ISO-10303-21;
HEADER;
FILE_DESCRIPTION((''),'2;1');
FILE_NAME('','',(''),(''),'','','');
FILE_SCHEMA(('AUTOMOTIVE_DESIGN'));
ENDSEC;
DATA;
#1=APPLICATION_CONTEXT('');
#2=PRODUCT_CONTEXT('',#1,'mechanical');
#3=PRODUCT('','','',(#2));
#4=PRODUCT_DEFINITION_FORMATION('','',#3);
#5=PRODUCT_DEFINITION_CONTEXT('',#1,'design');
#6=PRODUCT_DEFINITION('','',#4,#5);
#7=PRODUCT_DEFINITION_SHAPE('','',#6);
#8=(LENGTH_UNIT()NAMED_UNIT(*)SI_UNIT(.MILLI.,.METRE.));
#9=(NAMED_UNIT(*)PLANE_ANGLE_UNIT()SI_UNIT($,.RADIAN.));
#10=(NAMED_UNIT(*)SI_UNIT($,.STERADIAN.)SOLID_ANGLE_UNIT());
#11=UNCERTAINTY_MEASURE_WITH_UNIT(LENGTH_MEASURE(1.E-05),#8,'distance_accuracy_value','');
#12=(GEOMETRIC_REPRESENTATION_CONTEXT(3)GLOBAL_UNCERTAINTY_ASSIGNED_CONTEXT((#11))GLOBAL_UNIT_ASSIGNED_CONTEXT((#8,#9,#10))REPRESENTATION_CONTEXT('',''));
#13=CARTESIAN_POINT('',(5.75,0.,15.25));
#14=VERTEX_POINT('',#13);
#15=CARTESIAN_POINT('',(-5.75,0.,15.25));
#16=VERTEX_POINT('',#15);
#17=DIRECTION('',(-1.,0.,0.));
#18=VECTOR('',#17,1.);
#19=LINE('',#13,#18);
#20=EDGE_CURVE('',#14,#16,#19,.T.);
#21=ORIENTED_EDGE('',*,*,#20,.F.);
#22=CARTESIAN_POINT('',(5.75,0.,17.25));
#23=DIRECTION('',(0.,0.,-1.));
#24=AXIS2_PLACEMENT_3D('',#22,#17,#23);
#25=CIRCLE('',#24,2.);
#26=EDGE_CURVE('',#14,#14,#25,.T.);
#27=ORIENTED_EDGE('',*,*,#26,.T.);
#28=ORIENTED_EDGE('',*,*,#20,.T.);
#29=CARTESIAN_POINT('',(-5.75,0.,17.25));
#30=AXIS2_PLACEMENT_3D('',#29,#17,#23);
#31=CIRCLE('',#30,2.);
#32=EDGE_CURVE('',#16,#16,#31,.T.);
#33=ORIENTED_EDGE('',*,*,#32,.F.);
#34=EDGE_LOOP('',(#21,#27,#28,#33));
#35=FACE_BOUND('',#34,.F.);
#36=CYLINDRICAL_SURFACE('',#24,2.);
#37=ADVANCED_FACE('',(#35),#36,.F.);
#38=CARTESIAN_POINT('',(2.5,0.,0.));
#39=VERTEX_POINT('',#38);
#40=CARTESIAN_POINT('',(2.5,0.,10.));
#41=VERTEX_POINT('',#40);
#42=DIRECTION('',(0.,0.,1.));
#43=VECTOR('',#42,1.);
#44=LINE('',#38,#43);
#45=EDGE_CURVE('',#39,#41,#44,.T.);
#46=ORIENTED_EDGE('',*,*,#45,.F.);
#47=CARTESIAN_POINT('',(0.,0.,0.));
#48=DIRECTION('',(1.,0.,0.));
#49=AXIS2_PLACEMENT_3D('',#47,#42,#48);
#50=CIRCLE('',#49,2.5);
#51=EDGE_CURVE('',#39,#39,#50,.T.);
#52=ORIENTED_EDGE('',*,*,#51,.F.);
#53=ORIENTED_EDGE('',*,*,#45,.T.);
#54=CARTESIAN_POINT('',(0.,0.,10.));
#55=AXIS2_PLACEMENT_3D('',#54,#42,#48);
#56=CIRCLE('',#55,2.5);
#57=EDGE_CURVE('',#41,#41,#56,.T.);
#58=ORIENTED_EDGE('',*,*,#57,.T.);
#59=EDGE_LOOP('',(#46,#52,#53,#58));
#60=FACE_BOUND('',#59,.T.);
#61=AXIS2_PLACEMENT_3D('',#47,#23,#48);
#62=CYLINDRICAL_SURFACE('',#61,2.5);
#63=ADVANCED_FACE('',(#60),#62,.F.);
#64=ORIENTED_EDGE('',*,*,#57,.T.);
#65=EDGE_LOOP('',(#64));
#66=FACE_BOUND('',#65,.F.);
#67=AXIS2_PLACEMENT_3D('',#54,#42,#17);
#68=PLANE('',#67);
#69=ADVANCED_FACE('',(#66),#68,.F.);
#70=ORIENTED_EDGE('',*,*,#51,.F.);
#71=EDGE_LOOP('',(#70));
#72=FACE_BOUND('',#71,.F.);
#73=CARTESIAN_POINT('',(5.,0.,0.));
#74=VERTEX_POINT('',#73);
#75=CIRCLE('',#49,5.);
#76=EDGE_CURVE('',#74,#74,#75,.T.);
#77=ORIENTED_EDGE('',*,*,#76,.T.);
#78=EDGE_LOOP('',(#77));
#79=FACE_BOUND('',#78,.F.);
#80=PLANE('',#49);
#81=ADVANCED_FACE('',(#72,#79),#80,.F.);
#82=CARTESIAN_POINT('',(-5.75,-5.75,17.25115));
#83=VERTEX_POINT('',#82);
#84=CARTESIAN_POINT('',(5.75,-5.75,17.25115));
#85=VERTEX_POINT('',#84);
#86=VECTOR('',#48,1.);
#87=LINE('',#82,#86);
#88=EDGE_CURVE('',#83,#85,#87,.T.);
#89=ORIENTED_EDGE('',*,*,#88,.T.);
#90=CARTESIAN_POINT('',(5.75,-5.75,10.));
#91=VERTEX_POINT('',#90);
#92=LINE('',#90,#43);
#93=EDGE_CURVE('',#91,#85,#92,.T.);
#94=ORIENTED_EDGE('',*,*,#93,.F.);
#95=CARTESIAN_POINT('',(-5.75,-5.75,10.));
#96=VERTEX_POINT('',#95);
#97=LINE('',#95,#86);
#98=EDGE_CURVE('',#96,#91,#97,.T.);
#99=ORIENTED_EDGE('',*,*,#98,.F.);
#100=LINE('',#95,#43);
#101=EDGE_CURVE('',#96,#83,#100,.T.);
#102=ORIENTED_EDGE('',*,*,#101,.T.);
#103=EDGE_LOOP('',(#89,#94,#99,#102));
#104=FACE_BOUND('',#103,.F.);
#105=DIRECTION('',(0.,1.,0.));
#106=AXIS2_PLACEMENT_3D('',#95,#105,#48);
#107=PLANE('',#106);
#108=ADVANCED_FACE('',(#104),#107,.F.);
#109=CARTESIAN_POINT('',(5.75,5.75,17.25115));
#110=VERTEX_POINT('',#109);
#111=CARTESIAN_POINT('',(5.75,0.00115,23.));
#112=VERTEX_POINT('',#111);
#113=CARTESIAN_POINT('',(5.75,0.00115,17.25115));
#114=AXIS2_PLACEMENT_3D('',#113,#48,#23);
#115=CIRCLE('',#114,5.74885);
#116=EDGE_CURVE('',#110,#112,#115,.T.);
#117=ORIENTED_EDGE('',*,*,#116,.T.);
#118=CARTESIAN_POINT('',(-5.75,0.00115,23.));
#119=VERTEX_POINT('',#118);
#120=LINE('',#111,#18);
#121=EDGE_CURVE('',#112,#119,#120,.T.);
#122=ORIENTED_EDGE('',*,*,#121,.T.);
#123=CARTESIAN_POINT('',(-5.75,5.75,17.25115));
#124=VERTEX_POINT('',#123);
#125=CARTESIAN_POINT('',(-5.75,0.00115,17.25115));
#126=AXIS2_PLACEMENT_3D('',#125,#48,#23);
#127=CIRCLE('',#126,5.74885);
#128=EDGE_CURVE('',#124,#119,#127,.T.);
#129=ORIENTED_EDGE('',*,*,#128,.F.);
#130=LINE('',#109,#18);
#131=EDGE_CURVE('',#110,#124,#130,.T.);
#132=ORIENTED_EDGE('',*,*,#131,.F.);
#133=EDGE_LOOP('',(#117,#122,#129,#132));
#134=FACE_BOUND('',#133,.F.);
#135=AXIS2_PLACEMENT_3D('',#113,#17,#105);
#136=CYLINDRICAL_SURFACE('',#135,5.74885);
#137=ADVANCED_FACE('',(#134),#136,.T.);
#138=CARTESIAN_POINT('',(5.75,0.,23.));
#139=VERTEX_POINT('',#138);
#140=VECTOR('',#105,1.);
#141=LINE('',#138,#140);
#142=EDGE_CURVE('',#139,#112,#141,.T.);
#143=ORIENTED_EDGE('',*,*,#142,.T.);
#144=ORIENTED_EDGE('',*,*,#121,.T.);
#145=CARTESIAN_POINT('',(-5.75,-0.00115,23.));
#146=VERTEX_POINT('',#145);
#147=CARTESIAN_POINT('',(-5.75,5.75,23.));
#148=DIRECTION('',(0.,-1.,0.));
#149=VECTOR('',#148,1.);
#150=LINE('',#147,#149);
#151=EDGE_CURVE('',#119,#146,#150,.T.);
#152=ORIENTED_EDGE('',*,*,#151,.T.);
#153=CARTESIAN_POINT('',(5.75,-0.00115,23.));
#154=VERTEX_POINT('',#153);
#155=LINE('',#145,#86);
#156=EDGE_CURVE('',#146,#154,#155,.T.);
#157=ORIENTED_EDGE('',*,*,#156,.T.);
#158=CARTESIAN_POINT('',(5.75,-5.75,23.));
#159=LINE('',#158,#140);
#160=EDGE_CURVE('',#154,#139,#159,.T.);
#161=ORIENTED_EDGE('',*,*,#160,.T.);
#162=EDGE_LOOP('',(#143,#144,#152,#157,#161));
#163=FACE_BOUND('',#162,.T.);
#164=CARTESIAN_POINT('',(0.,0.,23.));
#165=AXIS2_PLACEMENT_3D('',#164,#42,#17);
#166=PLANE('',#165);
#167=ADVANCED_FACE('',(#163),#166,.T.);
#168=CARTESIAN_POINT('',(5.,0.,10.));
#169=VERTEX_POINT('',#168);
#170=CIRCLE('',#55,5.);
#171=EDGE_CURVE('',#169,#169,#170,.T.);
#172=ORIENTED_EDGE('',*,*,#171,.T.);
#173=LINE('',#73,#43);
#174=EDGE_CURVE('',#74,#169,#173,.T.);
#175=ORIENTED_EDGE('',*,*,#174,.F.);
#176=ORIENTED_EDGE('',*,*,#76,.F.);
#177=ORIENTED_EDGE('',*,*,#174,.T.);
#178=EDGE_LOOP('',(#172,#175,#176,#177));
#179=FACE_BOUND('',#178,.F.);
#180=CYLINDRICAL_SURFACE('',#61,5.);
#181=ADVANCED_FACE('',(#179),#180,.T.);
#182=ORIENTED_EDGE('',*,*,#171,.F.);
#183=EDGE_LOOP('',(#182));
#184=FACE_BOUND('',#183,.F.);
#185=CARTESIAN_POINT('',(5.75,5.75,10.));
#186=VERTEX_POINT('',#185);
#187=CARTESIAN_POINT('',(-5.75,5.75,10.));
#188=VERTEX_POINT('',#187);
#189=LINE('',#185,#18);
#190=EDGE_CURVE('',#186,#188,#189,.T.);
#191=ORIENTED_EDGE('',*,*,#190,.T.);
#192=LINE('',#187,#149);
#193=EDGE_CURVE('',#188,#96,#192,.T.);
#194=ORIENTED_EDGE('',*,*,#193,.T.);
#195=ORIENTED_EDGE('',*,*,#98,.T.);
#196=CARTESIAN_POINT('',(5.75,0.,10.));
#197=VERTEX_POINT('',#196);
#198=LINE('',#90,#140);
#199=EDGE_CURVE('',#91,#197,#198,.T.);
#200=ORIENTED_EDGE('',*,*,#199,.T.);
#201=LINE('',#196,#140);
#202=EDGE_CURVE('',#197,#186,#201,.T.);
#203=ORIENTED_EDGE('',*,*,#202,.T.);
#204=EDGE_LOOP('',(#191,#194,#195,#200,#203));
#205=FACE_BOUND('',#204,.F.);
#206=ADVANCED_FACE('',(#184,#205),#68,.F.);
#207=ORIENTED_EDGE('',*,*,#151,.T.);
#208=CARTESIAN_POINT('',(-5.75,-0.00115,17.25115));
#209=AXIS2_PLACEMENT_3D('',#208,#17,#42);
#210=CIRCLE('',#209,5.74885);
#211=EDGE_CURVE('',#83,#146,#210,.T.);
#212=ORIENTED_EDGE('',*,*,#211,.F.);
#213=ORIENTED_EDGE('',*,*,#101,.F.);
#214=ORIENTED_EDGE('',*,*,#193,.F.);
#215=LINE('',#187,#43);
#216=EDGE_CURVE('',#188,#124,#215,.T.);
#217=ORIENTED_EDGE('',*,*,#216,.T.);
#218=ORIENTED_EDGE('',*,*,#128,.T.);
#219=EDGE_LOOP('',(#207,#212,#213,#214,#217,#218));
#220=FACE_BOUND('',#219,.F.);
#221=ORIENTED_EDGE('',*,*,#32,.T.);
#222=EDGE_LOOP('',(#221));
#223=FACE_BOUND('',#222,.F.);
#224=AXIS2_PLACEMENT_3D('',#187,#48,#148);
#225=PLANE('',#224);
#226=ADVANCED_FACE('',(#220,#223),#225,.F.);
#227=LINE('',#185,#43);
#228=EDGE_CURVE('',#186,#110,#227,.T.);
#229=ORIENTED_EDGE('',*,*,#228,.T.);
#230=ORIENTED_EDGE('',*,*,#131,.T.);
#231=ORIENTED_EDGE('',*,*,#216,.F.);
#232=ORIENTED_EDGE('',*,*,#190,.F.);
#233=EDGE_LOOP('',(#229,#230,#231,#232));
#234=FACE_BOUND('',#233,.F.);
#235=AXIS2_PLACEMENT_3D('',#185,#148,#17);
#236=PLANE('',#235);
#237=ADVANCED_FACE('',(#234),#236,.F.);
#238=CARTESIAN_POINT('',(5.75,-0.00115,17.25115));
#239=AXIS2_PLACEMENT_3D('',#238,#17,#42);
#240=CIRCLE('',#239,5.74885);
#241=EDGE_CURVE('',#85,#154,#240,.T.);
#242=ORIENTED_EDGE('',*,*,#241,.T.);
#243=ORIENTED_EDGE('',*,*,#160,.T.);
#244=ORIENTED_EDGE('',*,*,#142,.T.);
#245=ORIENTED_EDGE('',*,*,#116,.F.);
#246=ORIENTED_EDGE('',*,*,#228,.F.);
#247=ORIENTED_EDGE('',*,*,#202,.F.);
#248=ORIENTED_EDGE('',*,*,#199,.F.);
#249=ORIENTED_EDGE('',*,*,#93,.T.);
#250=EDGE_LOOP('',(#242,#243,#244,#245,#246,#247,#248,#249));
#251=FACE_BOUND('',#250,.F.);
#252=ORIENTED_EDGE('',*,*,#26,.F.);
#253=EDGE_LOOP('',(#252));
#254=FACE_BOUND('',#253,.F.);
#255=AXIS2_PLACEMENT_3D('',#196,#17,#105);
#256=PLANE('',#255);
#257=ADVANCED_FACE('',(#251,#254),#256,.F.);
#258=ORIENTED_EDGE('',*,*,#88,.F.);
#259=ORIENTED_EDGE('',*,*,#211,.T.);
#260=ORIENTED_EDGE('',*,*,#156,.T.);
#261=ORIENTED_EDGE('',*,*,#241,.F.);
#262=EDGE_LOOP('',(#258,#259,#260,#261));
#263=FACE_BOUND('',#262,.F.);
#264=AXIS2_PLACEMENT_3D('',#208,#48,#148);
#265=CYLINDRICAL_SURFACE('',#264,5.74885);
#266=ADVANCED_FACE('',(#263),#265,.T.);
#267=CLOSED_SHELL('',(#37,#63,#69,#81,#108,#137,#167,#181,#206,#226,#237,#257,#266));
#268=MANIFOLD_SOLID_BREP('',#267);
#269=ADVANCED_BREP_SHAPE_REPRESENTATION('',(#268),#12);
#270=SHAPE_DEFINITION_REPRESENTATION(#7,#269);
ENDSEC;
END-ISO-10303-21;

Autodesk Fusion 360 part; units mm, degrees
sketch "Sketch1" plane through (0, 0, 0) normal (0, 0, 1) x (1, 0, 0)
  circle A0 centre (0, 0) radius 5
  circle A1 centre (0, 0) radius 2.5
  dimension "d1" = 10
  dimension "d2" = 5
extrude "Extrude1" add sketch "Sketch1" along normal blind 10
sketch "Sketch2" plane through (0, 0, 10) normal (0, 0, 1) x (-1, 0, 0)
  circle A0 centre (0, 0) radius 2.5
  circle A1 centre (0, 0) radius 5
  line L0 (0, 0) -> (-5.75, 0)
  line L1 (-5.75, 0) -> (-5.75, -5.75)
  line L2 (-5.75, -5.75) -> (5.75, -5.75)
  line L3 (5.75, -5.75) -> (5.75, 5.75)
  line L4 (5.75, 5.75) -> (-5.75, 5.75)
  line L5 (-5.75, 5.75) -> (-5.75, -5.75)
  dimension "d5" = 5.75
  dimension "d6" = 5.75
  dimension "d7" = 11.5
  dimension "d8" = 11.5
extrude "Extrude2" add sketch "Sketch2" along normal blind 13 contours A0 | A1 | L1 L2 L3 L4 L5
fillet "Fillet1" radius 5.75 2 edges at (0, -5.75, 23) (0, 5.75, 23)
hole "Hole1" at (5.75, 0, 17.25) direction (-1, 0, 0) diameter 4 depth 11.5 tip angle 180
equation "d5 = ( 11.5 / 2 ) * 1 mm"
